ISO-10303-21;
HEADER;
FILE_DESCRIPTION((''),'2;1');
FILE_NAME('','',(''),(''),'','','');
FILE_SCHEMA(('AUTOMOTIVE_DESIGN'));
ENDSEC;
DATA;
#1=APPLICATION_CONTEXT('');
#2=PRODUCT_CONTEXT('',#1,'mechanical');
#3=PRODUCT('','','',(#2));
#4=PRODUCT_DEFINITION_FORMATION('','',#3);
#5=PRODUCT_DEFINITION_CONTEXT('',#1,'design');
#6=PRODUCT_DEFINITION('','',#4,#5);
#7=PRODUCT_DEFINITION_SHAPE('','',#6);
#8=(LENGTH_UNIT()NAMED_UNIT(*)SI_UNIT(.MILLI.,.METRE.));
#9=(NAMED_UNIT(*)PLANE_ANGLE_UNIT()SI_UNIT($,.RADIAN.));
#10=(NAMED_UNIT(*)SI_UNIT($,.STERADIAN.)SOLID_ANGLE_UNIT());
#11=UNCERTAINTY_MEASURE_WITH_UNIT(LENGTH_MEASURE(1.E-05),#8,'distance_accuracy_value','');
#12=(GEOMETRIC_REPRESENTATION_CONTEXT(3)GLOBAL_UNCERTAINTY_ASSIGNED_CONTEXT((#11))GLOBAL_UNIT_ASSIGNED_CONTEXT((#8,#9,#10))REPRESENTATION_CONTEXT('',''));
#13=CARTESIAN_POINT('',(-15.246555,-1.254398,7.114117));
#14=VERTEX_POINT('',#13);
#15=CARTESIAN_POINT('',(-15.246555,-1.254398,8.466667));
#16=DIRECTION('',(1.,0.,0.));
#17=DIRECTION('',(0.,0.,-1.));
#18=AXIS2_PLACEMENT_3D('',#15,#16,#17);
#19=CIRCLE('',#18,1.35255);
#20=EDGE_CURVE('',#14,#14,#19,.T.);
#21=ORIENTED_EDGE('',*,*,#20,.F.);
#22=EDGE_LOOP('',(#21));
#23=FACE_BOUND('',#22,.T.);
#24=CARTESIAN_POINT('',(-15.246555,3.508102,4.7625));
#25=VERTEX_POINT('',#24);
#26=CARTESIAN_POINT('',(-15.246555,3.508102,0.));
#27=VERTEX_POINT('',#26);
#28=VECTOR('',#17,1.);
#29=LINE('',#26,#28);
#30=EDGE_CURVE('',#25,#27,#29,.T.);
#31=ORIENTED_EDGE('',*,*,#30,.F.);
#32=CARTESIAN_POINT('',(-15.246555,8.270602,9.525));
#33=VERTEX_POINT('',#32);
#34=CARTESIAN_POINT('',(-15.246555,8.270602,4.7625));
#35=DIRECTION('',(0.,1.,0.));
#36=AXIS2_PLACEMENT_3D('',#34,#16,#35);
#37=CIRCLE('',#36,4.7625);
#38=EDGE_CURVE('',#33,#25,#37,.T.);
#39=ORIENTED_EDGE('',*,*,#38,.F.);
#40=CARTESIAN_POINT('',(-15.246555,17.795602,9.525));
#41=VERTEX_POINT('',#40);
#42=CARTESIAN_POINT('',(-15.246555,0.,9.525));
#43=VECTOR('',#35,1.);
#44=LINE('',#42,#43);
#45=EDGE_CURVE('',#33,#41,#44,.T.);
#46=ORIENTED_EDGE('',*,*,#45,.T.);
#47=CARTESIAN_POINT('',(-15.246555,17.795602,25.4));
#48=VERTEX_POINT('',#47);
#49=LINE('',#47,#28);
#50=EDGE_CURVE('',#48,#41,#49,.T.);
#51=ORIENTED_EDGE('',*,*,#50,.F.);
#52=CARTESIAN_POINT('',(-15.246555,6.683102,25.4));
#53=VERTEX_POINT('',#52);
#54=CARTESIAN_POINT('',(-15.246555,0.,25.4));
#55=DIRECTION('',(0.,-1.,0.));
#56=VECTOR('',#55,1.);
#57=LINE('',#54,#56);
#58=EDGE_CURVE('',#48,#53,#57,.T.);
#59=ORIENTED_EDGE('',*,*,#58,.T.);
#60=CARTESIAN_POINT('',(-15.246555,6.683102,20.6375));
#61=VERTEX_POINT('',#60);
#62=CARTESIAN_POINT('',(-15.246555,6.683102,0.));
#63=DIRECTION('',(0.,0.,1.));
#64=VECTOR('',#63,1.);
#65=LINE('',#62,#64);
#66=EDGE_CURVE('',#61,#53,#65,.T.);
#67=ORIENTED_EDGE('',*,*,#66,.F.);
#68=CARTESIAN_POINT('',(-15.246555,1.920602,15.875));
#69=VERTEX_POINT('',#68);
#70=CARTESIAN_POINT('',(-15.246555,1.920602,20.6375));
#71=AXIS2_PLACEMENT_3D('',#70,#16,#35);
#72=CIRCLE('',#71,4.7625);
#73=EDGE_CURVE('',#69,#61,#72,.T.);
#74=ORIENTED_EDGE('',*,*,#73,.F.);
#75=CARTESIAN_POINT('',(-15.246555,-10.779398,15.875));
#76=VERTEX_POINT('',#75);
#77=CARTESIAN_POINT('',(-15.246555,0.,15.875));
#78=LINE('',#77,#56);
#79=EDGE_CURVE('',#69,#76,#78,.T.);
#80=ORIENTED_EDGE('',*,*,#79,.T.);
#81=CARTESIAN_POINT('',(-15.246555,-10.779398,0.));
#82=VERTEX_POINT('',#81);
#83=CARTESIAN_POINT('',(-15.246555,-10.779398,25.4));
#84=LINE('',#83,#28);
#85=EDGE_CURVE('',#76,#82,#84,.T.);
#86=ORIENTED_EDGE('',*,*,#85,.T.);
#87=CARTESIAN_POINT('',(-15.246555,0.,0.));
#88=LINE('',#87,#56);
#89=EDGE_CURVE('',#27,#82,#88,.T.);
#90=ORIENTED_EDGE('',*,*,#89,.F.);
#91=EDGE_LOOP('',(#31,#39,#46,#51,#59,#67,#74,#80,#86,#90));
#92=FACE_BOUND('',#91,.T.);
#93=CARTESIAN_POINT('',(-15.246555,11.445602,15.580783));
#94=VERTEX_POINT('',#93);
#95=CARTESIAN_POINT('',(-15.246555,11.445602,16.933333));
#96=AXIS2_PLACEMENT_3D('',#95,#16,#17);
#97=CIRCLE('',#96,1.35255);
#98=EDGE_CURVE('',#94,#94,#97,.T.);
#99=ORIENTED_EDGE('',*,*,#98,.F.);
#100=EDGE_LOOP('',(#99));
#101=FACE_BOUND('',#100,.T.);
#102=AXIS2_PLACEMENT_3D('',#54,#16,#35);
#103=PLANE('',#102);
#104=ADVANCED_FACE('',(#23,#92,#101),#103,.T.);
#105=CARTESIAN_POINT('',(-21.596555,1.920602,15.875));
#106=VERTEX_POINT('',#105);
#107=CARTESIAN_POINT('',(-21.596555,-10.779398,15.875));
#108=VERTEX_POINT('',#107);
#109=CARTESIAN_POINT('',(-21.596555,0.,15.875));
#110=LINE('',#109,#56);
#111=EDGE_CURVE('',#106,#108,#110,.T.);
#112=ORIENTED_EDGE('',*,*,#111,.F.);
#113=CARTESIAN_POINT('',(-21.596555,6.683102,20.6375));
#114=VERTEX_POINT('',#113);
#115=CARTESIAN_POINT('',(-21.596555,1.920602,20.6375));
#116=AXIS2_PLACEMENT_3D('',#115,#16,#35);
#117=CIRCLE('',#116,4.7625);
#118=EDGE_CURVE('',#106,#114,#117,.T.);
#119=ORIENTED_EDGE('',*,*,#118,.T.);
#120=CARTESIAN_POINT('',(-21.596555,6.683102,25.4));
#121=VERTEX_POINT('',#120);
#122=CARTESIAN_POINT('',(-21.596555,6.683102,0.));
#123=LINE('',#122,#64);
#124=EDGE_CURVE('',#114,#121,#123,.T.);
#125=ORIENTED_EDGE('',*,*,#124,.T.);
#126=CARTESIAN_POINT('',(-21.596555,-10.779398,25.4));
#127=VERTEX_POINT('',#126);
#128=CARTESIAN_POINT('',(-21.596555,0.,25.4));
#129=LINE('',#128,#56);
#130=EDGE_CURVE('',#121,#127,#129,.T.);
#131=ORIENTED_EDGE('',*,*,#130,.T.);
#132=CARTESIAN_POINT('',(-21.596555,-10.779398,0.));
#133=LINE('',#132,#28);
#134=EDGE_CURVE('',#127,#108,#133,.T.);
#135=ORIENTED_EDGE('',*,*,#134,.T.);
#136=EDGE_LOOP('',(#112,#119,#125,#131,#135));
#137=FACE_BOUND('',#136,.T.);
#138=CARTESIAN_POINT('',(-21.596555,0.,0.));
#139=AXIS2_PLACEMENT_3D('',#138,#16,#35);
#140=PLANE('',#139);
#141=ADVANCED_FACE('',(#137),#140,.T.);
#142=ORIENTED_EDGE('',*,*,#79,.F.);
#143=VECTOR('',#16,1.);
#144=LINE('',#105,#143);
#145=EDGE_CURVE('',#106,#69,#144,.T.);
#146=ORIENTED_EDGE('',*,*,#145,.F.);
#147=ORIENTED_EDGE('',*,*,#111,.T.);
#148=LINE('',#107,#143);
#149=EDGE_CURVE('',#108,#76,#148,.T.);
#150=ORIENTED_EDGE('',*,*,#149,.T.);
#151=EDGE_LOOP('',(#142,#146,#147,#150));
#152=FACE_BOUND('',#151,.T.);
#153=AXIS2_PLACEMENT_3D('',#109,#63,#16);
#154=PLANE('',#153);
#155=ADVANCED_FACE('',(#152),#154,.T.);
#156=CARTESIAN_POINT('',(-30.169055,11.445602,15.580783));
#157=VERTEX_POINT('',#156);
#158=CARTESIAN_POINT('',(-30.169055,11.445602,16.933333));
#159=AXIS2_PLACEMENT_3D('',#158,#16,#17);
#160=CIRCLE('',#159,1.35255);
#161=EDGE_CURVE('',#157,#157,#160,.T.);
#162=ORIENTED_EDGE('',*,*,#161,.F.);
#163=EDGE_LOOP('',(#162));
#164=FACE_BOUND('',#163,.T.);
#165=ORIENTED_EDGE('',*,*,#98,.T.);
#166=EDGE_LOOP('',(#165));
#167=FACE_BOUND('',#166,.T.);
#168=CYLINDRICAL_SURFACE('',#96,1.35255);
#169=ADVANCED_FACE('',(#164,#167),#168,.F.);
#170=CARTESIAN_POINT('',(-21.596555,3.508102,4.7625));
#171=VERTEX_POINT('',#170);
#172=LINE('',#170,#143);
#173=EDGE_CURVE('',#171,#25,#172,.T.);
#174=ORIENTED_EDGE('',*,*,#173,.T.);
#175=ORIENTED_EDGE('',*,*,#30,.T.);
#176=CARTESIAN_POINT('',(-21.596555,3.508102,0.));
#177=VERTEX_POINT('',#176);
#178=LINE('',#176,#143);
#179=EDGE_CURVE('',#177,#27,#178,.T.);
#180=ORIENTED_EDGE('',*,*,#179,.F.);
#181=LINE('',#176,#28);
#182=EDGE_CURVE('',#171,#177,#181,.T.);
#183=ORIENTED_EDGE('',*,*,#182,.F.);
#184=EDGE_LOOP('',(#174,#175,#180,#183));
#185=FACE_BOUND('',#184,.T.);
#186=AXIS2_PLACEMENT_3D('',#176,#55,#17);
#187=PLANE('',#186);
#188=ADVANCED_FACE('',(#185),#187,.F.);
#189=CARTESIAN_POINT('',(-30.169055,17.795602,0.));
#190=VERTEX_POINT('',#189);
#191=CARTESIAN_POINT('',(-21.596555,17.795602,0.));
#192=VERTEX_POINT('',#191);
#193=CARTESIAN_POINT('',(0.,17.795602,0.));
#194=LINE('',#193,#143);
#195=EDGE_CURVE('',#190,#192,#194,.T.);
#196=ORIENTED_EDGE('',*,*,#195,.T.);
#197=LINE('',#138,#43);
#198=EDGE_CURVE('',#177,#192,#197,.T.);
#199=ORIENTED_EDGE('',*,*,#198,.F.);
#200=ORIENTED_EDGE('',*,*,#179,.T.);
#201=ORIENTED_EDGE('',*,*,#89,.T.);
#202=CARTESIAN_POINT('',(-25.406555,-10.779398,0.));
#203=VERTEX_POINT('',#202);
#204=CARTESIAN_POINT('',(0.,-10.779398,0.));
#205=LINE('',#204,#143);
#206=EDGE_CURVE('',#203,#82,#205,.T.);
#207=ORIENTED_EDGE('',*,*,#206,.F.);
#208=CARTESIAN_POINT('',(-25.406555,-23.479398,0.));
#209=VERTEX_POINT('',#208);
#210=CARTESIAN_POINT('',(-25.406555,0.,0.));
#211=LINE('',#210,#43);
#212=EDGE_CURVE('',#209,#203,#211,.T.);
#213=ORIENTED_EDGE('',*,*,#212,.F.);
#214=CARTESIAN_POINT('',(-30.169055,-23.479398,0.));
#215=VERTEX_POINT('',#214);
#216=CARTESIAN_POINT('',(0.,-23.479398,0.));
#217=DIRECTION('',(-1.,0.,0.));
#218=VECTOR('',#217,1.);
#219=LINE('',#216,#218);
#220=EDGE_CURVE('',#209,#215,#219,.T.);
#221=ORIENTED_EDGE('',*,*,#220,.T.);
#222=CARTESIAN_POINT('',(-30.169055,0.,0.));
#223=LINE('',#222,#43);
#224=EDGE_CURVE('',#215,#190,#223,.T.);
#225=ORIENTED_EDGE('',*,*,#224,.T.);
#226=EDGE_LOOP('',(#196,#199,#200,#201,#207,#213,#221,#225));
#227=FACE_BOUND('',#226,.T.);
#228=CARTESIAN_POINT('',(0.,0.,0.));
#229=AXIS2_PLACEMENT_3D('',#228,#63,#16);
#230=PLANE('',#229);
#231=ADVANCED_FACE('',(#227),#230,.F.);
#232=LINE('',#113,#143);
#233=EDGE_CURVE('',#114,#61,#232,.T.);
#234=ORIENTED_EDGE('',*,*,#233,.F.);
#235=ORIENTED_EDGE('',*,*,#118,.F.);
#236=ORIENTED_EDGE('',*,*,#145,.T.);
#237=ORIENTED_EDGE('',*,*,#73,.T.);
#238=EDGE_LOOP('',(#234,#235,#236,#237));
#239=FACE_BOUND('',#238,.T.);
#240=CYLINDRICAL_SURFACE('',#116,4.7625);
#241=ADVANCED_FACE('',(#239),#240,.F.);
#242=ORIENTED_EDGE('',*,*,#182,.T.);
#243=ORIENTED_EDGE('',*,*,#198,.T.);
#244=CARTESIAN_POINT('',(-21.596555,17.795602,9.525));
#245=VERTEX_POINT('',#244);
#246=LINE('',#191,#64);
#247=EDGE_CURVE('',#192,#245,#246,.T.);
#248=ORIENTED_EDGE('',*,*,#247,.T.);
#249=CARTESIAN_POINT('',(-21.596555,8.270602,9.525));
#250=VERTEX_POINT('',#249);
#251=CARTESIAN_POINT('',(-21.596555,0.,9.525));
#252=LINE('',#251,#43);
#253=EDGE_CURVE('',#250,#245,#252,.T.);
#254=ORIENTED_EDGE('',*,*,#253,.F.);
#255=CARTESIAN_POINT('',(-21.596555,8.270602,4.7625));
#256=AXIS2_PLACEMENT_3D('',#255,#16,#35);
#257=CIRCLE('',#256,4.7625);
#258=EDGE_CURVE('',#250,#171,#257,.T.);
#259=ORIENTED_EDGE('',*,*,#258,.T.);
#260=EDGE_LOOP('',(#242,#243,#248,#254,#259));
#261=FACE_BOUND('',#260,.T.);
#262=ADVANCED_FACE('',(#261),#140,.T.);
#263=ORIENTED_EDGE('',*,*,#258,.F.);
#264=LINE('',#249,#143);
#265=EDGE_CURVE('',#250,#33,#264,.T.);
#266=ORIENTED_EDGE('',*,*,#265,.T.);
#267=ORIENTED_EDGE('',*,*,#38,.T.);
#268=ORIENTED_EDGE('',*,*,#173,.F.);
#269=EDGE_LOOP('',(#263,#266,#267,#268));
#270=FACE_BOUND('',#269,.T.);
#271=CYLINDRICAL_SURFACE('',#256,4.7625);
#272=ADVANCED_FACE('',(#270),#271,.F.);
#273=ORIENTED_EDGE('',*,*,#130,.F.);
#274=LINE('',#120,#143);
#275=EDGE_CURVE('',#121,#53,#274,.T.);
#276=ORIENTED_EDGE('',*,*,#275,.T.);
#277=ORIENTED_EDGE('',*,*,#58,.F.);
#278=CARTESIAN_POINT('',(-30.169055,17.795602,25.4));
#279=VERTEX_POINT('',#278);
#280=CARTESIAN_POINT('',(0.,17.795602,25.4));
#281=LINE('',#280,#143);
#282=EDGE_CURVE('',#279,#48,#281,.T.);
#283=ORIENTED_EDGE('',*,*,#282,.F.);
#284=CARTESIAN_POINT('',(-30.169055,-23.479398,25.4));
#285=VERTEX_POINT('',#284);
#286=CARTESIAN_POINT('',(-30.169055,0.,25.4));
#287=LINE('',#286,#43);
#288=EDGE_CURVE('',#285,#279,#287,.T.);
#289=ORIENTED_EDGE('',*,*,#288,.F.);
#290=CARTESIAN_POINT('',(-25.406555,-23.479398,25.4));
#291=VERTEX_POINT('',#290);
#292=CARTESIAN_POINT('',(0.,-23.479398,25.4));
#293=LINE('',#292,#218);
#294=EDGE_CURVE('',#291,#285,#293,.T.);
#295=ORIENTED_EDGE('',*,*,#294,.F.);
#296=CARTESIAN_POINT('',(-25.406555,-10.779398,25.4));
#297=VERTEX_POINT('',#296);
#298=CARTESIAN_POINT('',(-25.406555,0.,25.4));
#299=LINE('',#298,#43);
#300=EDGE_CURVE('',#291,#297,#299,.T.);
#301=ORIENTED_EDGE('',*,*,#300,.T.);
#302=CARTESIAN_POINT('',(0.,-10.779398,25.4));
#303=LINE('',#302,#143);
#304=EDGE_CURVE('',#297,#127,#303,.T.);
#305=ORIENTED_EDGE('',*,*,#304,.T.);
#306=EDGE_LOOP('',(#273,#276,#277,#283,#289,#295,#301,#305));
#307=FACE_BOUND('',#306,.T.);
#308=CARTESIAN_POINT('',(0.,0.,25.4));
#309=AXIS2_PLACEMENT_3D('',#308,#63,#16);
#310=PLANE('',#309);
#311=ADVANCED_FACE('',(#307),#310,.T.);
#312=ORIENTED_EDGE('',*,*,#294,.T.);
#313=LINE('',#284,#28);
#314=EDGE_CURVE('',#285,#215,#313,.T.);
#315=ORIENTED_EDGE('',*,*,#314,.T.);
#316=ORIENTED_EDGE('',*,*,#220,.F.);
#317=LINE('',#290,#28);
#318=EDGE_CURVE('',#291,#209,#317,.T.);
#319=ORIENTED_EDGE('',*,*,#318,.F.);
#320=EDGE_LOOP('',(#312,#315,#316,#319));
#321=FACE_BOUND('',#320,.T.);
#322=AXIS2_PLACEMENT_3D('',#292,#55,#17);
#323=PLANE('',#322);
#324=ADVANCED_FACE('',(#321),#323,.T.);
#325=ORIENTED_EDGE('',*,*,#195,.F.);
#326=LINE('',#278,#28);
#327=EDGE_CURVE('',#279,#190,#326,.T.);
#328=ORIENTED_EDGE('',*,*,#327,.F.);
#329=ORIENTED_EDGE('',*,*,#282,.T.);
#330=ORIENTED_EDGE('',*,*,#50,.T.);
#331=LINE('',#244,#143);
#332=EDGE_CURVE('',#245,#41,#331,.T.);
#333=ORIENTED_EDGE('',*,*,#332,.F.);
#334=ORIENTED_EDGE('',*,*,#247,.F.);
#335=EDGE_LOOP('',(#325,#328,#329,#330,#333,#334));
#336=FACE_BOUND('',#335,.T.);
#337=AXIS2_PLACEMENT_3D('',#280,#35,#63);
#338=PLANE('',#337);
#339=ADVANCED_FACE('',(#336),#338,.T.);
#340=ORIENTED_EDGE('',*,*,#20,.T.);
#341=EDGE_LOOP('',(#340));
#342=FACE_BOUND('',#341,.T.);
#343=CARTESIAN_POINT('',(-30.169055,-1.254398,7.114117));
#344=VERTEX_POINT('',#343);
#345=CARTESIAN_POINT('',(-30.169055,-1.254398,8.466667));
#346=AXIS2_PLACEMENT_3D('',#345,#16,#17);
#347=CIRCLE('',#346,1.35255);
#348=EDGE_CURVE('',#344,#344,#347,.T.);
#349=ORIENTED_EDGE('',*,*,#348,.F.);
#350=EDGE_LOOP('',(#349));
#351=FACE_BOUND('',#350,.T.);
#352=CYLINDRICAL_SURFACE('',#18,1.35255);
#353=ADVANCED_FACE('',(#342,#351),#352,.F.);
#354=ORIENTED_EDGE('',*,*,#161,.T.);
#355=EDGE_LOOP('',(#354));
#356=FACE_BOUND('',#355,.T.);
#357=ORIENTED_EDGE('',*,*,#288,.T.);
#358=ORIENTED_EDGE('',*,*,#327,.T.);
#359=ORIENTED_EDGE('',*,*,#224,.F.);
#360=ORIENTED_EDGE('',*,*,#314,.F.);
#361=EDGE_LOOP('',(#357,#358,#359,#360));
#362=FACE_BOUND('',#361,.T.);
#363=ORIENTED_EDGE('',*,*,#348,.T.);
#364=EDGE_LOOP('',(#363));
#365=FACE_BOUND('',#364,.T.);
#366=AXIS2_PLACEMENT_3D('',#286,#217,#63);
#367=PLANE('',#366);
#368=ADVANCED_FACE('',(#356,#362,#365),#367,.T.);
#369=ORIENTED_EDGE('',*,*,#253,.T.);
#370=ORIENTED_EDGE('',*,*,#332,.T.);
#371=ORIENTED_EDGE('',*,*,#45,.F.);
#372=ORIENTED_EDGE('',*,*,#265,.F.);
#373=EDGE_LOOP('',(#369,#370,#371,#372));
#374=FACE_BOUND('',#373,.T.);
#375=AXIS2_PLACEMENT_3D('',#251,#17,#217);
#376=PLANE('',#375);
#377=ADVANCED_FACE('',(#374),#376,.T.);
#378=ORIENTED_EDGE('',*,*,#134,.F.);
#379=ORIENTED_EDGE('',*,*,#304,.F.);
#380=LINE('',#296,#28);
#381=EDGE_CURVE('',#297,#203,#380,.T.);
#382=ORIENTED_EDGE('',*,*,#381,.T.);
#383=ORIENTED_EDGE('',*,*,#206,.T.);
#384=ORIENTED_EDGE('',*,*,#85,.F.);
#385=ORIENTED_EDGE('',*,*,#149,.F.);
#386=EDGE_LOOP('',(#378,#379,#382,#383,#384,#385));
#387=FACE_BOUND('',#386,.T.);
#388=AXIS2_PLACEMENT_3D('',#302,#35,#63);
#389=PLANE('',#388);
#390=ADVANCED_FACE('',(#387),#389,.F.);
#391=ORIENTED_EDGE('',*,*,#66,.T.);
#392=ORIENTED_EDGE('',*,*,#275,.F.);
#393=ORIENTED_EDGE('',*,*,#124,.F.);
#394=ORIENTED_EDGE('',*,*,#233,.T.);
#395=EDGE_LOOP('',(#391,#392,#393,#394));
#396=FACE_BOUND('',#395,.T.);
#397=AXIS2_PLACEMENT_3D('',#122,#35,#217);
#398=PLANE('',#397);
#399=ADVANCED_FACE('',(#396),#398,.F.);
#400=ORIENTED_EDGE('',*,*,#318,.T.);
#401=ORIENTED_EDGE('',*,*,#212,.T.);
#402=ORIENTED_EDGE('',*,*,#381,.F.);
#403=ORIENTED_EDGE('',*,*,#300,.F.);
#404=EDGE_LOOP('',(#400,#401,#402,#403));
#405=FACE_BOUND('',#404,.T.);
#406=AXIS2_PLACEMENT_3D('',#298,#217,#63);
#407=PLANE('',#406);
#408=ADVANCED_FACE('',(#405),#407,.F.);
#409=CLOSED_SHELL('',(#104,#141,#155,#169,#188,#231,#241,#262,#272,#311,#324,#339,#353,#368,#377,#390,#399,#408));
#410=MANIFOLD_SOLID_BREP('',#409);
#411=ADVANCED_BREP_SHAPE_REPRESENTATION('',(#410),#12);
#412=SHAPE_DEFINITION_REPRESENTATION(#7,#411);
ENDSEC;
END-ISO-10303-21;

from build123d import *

# Parameters (mm, degrees)
BOSS_EXTRUDE1_DEPTH       = 25.4
TAP_DRILL_FOR_6_32_TAP1_D = 2.7051
SKETCH5_R                 = 4.7625
CUT_EXTRUDE1_DEPTH        = 6.35


with BuildPart() as part:
    # Sketch1 → Boss-Extrude1 (new body)
    with BuildSketch(Plane.XY):
        Polygon((-30.169054899, -23.479397625), (-25.406554899, -23.479397625), (-25.406554899, -10.779397625), (-15.246554899, -10.779397625), (-15.246554899, -7.604397625), (-15.246554899, 17.795602375), (-30.169054899, 17.795602375), (-30.169054899, -7.604397625), align=None)
    extrude(amount=BOSS_EXTRUDE1_DEPTH)

    # Tap Drill for #6-32 Tap1 (through all)
    with Locations(Plane(origin=(-15.246554899, 11.445602375, 16.933333333), x_dir=(0, 1, 0), z_dir=(1, 0, 0))):
        with Locations((0, 0), (-12.7, -8.466666666)):
            Hole(TAP_DRILL_FOR_6_32_TAP1_D / 2)

    # Sketch5 → Cut-Extrude1 (cut)
    with BuildSketch(Plane(origin=(-15.246554899, 0, 0), x_dir=(0, 0, -1), z_dir=(1, 0, 0))):
        with Locations((-20.6375, 1.920602375)):
            Circle(SKETCH5_R)
        with BuildLine():
            ThreePointArc((-25.4, 1.920602382), (-24.005096043, 5.288198423), (-20.6375, 6.683102375))
            Line((-20.6375, 6.683102375), (-25.4, 6.683102375))
            Line((-25.4, 6.683102375), (-25.4, 1.920602382))
        make_face()
        with BuildLine():
            Line((-15.875, -10.779397625), (-15.875, 1.920602375))
            ThreePointArc((-15.875, 1.920602375), (-20.637500004, -2.841897625), (-25.4, 1.920602382))
            Line((-25.4, 1.920602382), (-25.4, -10.779397625))
            Line((-25.4, -10.779397625), (-15.875, -10.779397625))
        make_face()
        with BuildLine():
            Line((0, 17.795602375), (-9.525, 17.795602375))
            Line((-9.525, 17.795602375), (-9.525, 8.270602375))
            ThreePointArc((-9.525, 8.270602375), (-4.7625, 13.033102375), (0, 8.270602375))
            Line((0, 8.270602375), (0, 17.795602375))
        make_face()
        with Locations((-4.7625, 8.270602375)):
            Circle(SKETCH5_R)
        with BuildLine():
            Line((-4.7625, 3.508102375), (0, 3.508102375))
            Line((0, 3.508102375), (0, 8.270602375))
            ThreePointArc((0, 8.270602375), (-1.394903955, 4.90300633), (-4.7625, 3.508102375))
        make_face()
    extrude(amount=-CUT_EXTRUDE1_DEPTH, mode=Mode.SUBTRACT)


solid = part.part
